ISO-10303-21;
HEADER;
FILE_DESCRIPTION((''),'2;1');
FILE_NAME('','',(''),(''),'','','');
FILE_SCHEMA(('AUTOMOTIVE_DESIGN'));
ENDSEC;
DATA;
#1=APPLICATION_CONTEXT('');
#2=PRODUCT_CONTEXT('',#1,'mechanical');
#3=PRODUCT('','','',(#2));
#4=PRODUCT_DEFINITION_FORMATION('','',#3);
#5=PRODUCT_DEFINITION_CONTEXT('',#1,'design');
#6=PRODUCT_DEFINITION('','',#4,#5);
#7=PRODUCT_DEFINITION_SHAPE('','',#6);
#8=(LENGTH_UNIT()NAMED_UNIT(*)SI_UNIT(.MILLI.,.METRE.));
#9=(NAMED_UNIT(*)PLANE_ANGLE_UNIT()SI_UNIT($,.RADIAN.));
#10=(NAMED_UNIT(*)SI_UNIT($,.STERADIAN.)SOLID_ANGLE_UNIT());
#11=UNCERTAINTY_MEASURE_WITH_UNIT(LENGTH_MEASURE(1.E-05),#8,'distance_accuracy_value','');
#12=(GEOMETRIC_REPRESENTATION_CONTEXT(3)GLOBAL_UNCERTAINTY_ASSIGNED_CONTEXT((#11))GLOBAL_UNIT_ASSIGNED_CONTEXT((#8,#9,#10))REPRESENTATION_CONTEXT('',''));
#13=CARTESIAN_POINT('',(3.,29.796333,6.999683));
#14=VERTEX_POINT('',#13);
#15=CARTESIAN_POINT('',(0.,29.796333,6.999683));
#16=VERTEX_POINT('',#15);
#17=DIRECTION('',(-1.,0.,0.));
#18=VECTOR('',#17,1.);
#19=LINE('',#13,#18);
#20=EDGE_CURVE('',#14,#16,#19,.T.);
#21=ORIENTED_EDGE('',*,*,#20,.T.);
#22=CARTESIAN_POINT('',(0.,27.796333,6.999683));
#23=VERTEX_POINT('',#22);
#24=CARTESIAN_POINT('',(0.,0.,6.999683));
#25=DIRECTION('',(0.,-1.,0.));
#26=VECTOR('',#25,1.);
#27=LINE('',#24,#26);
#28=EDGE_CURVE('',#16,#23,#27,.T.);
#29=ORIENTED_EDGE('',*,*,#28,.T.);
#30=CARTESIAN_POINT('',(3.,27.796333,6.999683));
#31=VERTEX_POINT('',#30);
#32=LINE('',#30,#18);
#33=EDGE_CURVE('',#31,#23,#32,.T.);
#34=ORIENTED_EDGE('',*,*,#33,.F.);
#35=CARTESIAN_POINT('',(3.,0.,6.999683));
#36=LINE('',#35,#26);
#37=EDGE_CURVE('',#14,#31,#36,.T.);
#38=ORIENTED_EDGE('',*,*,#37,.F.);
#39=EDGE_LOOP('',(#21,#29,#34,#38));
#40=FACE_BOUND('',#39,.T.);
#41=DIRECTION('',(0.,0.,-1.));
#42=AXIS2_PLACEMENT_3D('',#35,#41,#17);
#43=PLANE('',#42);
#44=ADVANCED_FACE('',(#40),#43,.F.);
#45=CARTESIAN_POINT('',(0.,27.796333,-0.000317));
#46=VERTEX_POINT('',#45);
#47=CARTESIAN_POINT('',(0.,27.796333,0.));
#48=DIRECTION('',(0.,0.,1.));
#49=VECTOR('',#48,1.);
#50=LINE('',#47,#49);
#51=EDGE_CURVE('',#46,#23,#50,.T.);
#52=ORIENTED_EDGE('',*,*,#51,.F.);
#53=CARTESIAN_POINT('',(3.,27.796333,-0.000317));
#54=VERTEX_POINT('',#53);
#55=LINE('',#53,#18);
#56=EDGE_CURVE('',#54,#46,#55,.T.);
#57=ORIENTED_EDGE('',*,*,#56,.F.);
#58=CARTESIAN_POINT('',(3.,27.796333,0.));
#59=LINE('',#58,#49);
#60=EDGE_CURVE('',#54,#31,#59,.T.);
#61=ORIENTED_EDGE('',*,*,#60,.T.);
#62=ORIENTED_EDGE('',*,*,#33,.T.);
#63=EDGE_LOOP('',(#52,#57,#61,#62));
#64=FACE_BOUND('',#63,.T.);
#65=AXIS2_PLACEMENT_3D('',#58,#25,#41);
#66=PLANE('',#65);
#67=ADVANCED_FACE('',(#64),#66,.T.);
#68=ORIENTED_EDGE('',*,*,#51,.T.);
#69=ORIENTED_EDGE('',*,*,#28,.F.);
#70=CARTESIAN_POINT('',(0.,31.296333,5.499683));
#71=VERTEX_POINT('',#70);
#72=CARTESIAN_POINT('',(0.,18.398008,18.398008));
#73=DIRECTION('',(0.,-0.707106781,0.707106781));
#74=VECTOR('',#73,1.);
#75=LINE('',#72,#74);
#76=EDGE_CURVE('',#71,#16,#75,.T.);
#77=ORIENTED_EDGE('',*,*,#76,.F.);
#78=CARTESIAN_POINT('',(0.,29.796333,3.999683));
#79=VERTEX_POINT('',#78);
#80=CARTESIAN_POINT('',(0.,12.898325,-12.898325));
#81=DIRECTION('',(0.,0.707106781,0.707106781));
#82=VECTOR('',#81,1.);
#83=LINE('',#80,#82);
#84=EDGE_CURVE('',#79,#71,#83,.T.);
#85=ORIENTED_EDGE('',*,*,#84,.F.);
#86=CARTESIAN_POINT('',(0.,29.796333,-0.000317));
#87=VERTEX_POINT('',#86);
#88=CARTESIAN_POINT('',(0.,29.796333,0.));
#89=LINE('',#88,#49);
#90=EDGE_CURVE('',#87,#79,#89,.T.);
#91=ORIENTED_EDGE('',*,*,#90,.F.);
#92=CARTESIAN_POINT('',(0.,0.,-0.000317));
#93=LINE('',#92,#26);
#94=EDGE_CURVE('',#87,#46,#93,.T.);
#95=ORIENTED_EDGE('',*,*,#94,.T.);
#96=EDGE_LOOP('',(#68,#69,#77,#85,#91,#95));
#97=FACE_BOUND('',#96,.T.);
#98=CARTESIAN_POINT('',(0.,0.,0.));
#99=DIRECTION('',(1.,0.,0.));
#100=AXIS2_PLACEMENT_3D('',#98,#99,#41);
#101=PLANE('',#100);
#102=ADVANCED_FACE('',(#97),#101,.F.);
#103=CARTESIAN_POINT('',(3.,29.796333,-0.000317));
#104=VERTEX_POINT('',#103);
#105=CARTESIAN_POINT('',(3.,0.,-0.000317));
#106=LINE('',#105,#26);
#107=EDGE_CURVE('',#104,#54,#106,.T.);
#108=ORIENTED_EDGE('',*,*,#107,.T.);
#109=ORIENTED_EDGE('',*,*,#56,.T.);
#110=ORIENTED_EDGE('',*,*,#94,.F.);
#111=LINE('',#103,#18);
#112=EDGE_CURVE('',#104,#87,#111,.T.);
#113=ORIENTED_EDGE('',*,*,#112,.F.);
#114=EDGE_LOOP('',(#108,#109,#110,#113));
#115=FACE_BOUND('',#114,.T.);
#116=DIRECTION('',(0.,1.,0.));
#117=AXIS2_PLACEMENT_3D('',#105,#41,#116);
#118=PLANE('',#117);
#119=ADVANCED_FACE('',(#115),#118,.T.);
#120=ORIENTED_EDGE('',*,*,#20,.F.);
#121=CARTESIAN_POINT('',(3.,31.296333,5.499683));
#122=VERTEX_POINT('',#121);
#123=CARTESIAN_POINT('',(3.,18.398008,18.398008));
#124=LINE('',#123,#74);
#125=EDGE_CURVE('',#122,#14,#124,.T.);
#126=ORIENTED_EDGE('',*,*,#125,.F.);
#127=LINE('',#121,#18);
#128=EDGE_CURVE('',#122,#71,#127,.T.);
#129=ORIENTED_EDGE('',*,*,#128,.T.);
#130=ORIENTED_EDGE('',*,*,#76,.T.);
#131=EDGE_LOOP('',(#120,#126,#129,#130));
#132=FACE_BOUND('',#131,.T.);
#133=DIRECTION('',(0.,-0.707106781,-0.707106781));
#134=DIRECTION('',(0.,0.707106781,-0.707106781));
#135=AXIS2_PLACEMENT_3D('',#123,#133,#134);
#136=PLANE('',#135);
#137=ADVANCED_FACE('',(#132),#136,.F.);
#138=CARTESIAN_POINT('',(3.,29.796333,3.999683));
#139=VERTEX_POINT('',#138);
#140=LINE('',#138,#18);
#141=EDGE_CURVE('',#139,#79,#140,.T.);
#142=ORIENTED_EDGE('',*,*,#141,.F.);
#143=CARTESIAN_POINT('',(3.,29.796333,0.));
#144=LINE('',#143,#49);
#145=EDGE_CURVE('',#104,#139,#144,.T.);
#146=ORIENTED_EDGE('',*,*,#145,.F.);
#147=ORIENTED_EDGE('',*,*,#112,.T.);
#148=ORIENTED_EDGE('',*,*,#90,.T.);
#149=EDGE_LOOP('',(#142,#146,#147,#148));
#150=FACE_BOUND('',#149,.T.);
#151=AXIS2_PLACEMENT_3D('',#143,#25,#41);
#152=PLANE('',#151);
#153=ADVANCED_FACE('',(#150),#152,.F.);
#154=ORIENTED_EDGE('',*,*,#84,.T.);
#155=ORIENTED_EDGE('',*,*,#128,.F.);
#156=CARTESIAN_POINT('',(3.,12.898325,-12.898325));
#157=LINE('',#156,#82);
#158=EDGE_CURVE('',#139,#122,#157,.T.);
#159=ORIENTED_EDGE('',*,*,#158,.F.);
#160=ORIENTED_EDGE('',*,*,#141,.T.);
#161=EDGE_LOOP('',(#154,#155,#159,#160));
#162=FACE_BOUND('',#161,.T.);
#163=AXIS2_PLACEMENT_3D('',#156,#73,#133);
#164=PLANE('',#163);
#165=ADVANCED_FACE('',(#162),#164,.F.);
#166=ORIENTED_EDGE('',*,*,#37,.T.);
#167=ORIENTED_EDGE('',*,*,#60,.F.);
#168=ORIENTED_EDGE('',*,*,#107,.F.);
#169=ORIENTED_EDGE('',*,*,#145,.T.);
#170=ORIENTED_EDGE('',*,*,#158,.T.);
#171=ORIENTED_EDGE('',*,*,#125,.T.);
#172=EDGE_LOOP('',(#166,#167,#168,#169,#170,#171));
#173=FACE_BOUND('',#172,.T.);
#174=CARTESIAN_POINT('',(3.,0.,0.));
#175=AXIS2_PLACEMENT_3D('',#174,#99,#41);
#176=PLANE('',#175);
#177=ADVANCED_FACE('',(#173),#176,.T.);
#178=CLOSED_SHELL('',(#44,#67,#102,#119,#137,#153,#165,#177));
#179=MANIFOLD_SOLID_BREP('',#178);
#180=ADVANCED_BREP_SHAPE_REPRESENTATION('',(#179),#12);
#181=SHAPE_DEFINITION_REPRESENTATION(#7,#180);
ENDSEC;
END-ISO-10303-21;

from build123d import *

# Parameters (mm, degrees)
BOSS_EXTRUDE1_DEPTH = 3


with BuildPart() as part:
    # Sketch2 → Boss-Extrude1 (new body)
    with BuildSketch(Plane(origin=(0, 0, 0), x_dir=(0, 0, -1), z_dir=(1, 0, 0))):
        Polygon((0.000317111, 27.796332929), (0.000317111, 29.796332929), (-3.999682889, 29.796332929), (-5.499682889, 31.296332929), (-6.999682889, 29.796332929), (-6.999682889, 27.796332929), align=None)
    extrude(amount=BOSS_EXTRUDE1_DEPTH)


solid = part.part
